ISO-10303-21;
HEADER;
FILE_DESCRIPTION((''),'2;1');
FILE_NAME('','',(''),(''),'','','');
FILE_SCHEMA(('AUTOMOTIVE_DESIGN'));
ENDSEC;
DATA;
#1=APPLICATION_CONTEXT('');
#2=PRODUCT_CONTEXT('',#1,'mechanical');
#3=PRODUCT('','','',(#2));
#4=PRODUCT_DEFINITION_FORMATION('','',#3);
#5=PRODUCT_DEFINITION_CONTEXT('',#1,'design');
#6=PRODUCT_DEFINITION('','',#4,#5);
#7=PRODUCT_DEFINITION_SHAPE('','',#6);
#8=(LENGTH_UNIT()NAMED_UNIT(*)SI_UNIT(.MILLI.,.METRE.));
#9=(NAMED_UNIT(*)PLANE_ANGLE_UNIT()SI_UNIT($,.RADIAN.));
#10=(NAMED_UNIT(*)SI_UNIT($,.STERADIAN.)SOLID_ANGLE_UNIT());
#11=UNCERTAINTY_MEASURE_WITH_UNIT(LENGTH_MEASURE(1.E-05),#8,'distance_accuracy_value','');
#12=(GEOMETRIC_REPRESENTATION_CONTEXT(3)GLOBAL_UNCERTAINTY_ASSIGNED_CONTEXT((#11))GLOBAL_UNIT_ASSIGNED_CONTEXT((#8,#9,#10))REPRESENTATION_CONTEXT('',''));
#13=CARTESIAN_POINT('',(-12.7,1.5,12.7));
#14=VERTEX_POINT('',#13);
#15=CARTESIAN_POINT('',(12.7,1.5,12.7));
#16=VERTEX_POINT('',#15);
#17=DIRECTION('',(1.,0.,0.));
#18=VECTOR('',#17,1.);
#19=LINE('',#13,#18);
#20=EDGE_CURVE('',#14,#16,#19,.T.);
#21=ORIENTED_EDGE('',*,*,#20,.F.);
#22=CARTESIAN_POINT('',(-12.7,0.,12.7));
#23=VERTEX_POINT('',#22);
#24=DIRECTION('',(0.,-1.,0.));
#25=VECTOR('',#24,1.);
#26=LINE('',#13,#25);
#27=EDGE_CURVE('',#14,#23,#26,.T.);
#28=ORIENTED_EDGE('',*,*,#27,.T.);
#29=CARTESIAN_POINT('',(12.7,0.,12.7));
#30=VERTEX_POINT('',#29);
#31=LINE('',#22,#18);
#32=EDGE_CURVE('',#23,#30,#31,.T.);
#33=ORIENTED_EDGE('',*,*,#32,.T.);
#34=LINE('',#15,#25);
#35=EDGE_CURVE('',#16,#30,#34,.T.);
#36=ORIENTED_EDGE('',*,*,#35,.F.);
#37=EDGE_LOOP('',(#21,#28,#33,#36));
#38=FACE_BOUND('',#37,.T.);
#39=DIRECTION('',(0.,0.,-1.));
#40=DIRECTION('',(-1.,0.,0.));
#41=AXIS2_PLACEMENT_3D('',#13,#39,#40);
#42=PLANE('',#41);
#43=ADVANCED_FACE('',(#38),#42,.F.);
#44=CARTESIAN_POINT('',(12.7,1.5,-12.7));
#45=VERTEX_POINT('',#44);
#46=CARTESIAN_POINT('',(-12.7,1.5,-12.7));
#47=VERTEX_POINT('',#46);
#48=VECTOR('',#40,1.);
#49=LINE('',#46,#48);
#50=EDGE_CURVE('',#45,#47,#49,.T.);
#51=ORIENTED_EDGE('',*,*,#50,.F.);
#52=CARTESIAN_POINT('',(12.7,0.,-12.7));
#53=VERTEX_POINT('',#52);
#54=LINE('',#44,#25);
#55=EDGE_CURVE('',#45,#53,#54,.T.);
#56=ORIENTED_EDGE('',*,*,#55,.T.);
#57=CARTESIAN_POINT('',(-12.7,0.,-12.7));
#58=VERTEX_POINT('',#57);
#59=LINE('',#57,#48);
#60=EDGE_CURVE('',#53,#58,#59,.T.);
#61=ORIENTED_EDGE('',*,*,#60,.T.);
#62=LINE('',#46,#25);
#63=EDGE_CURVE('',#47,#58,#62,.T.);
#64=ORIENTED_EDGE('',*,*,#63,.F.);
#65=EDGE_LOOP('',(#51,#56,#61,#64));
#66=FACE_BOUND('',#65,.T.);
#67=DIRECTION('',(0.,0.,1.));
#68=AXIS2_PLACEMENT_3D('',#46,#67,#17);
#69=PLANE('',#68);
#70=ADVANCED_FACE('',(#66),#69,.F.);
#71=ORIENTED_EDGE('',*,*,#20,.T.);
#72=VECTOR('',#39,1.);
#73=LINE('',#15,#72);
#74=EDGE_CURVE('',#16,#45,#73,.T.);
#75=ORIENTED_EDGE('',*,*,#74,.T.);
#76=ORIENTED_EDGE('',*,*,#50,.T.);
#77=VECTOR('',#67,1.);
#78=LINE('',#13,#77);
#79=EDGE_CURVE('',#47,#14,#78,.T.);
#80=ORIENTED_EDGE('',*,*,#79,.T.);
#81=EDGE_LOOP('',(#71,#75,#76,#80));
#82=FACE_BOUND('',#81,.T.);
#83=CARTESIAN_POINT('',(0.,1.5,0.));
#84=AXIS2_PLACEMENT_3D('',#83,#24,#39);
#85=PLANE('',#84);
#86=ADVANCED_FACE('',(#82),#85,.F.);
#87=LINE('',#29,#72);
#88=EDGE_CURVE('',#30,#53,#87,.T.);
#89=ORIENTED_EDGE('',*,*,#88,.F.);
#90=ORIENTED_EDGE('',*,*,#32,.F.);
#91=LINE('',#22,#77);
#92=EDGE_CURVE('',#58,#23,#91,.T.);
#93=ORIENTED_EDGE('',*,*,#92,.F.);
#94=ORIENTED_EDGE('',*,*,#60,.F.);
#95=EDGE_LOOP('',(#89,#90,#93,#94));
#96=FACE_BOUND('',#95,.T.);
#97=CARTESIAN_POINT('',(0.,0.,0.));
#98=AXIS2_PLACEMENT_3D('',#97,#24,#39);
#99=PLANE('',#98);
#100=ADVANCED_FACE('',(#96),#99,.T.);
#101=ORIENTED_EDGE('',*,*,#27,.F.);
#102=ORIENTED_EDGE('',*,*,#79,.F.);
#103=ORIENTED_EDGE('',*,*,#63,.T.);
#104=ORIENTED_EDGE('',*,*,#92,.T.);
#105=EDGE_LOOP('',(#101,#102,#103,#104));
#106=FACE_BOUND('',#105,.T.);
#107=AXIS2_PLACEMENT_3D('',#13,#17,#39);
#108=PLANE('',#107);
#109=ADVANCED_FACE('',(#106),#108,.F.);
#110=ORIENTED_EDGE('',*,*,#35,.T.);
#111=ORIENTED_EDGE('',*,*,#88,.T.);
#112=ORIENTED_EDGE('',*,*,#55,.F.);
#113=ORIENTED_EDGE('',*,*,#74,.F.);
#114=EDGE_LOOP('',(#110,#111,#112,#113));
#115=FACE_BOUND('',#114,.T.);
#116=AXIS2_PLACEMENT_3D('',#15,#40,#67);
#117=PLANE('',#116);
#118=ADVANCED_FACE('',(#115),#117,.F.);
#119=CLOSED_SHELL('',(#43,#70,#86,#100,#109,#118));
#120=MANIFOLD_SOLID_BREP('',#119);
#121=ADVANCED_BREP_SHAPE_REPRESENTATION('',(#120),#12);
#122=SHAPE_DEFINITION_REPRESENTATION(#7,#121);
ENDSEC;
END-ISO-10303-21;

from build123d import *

# Parameters (mm, degrees)
SKETCH_1_W      = 25.4
SKETCH_1_H      = 25.4
EXTRUDE_1_DEPTH = 1.5


with BuildPart() as part:
    # 草图1 → 凸台-拉伸1 (new body)
    with BuildSketch(Plane(origin=(0, 0, 0), x_dir=(1, 0, 0), z_dir=(0, 1, 0))):
        Rectangle(SKETCH_1_W, SKETCH_1_H)
    extrude(amount=EXTRUDE_1_DEPTH)


solid = part.part
